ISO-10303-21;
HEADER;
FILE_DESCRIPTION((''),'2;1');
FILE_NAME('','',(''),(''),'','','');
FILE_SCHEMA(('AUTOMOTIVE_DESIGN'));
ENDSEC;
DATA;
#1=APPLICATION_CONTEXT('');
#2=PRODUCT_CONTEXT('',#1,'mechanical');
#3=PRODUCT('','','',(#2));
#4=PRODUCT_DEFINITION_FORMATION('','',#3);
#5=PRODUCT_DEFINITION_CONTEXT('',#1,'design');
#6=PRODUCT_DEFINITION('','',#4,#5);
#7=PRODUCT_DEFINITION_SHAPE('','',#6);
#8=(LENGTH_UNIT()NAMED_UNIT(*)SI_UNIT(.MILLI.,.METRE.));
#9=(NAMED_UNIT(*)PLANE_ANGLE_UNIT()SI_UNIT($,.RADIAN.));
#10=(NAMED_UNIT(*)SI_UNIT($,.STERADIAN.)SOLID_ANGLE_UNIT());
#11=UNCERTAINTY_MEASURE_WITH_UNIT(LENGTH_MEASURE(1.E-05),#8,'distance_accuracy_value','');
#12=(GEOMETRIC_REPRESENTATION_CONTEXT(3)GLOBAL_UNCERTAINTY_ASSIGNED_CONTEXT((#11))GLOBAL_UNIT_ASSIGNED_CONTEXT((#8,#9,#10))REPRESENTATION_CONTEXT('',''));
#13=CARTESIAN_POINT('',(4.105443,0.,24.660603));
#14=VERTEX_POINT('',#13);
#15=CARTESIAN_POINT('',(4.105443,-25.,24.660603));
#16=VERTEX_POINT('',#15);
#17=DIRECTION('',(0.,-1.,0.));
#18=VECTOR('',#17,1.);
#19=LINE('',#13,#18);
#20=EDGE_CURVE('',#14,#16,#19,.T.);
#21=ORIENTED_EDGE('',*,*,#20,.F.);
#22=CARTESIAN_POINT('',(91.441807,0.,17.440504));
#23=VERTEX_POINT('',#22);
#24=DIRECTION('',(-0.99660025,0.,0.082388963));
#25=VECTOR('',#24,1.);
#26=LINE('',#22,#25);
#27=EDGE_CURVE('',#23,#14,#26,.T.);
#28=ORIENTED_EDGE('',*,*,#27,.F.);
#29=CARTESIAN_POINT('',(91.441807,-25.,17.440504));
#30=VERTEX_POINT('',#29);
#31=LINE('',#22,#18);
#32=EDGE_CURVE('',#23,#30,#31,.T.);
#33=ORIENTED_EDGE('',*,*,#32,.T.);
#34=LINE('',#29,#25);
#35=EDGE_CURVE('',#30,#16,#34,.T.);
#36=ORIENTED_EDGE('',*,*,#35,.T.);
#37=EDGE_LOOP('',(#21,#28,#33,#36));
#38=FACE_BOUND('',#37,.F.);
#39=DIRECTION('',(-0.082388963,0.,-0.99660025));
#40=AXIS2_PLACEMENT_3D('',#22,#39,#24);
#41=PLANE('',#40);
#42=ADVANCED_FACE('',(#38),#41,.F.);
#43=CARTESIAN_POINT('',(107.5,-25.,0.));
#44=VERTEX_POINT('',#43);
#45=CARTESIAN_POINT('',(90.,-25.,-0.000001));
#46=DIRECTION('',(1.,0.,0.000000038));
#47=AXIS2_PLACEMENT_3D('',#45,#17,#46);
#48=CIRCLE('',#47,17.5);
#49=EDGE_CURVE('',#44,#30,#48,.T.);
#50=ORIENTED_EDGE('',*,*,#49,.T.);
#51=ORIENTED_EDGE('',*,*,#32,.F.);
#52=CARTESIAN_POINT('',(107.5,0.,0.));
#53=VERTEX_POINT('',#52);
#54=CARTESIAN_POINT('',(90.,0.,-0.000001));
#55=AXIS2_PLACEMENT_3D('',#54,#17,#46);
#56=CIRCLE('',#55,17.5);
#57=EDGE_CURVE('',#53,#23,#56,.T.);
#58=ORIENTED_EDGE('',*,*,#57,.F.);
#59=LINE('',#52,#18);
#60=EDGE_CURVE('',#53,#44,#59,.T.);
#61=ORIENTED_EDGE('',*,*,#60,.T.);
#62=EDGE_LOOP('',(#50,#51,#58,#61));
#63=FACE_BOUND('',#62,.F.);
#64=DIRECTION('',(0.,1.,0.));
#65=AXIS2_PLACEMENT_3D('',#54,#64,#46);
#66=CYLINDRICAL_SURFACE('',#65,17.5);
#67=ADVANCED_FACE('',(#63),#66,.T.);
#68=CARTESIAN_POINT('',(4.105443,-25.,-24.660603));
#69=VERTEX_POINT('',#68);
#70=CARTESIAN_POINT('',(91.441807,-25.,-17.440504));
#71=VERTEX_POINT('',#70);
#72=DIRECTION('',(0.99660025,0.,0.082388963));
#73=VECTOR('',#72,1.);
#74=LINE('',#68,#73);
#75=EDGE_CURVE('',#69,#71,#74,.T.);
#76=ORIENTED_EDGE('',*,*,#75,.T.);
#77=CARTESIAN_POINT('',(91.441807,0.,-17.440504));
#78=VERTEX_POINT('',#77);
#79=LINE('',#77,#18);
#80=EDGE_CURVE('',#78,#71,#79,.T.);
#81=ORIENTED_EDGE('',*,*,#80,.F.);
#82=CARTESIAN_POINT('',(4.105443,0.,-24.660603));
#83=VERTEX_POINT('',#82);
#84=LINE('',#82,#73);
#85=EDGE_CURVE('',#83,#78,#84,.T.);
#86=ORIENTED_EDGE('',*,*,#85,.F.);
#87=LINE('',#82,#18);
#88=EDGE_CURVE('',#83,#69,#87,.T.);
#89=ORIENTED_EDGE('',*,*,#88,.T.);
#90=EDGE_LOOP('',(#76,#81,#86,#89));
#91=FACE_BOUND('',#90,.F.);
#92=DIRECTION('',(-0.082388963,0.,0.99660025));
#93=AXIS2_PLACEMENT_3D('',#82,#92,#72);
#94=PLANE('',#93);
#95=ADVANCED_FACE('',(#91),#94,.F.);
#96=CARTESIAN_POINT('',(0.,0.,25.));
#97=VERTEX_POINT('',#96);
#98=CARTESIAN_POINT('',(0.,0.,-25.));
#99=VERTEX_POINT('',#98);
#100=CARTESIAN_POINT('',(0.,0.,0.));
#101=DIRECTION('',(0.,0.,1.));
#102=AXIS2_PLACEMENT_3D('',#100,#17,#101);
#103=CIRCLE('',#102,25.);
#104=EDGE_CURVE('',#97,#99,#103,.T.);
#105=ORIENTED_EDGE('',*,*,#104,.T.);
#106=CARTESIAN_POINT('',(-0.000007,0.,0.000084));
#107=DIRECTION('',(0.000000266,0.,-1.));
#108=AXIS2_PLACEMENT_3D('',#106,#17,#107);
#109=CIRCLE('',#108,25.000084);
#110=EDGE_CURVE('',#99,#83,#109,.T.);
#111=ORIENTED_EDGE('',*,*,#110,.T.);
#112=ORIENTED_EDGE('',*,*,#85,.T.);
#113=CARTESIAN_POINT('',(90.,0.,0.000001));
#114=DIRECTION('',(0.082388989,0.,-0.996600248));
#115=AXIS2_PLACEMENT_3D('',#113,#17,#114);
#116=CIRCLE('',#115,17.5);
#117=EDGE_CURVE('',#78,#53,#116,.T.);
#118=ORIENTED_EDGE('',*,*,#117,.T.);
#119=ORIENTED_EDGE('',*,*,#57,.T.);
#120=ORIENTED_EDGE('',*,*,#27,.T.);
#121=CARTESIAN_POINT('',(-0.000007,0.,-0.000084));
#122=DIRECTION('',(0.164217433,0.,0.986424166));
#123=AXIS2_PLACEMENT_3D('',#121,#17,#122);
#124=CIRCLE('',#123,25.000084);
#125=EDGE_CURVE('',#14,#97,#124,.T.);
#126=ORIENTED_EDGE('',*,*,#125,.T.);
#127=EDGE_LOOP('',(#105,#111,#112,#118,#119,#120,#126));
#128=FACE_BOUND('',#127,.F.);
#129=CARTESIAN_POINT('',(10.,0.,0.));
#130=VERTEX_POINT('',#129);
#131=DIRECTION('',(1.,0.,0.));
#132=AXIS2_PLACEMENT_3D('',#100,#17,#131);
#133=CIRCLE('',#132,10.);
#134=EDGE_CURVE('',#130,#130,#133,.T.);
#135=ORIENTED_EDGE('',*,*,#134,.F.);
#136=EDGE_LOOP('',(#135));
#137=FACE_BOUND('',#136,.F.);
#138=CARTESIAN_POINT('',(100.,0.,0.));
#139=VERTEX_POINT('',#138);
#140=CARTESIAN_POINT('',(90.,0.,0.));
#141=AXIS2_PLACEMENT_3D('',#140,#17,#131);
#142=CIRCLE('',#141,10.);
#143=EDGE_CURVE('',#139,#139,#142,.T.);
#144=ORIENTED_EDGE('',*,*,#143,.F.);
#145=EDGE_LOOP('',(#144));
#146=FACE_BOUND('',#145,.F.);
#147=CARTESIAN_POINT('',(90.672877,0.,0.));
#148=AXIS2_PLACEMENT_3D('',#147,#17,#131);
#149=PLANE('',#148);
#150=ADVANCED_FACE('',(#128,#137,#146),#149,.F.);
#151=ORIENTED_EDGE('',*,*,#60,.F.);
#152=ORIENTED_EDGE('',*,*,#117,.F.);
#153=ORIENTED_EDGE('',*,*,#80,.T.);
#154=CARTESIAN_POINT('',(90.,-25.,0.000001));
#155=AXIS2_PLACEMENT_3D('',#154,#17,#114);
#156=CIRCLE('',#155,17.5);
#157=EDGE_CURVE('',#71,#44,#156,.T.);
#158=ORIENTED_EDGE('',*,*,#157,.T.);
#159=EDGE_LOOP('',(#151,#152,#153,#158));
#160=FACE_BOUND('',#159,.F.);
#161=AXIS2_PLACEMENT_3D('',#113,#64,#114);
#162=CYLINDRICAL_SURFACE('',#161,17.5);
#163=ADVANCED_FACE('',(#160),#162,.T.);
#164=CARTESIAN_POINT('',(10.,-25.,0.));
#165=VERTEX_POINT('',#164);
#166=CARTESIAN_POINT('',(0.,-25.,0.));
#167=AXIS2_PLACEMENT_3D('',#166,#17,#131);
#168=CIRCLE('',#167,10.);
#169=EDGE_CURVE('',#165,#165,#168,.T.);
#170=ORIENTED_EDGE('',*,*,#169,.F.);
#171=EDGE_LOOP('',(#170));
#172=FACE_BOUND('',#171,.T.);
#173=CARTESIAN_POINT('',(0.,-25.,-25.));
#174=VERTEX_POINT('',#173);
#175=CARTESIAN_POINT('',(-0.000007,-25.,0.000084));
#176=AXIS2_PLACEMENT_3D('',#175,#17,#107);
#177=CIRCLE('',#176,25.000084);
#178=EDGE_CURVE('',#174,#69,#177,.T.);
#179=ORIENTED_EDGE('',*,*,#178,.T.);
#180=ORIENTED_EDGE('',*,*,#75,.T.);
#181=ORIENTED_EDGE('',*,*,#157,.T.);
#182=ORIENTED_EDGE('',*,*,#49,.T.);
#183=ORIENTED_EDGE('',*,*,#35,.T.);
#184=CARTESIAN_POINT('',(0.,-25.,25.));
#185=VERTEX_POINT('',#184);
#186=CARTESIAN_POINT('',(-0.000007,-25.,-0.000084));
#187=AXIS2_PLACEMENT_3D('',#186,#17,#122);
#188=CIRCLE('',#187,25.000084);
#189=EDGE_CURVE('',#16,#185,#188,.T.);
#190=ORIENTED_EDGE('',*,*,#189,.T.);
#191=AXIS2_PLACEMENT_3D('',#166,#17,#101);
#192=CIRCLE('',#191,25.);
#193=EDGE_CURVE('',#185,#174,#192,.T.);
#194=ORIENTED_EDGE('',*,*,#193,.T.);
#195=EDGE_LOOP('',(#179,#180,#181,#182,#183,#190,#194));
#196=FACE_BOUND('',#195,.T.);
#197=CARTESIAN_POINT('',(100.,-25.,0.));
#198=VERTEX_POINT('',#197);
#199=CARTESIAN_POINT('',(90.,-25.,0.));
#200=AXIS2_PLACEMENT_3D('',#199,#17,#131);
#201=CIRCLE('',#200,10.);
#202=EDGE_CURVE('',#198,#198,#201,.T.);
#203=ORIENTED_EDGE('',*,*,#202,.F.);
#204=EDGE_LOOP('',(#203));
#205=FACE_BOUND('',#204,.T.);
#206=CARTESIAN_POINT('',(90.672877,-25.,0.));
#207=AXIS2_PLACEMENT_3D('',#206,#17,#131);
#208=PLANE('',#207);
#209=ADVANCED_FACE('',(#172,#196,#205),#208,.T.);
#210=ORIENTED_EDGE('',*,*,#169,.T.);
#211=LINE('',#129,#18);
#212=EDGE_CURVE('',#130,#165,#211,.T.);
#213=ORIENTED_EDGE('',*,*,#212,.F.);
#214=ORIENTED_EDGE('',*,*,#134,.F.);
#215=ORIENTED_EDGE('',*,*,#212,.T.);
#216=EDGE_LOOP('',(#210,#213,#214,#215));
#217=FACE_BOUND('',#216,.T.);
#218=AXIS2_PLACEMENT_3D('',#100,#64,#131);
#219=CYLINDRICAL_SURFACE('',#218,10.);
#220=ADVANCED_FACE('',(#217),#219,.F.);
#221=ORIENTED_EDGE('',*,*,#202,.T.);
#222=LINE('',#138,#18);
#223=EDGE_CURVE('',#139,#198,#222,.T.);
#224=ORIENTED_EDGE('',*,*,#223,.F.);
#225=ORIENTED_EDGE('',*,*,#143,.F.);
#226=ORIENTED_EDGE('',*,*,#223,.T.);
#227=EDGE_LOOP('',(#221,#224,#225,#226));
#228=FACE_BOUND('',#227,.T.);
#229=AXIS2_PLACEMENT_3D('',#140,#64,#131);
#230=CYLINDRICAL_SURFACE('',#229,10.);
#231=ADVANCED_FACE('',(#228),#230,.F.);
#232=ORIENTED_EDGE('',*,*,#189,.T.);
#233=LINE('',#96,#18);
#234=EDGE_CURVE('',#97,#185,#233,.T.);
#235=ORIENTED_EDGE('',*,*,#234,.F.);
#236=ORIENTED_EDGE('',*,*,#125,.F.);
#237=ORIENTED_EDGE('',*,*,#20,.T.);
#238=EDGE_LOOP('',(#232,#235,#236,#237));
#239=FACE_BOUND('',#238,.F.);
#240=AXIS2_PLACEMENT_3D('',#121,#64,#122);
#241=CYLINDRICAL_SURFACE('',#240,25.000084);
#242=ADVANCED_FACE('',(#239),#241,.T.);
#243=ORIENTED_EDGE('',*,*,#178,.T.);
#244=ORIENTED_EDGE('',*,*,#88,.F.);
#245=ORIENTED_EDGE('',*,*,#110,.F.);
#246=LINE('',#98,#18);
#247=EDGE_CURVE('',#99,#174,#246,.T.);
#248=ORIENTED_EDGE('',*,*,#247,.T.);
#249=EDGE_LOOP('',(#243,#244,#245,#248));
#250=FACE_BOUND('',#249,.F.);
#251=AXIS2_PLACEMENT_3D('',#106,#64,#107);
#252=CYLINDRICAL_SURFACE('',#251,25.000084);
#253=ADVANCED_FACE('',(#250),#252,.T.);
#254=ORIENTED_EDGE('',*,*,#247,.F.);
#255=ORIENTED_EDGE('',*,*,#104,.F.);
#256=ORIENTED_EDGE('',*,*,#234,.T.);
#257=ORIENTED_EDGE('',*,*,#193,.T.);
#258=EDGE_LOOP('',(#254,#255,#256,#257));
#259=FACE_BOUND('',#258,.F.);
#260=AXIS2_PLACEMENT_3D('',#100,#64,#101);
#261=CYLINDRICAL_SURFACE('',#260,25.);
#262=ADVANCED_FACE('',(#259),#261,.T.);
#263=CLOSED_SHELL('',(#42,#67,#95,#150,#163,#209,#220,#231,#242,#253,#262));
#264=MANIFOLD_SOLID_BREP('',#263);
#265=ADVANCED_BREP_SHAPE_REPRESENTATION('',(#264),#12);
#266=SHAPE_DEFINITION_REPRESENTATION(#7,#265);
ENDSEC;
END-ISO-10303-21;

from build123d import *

# Parameters (mm, degrees)
F0_R     = 10
F1_DEPTH = 25


with BuildPart() as f1:
    # F0 (on Front) → F1 (new body)
    with BuildSketch(Plane.XZ):
        with BuildLine():
            ThreePointArc((91.441807, -17.440504), (102.874036, -11.853657), (107.5, 0))
            ThreePointArc((107.5, 0), (102.874036, 11.853657), (91.441807, 17.440504))
            ThreePointArc((91.441807, 17.440504), (72.5, 0), (91.441807, -17.440504))
        make_face()
        with Locations((90, 0)):
            Circle(F0_R, mode=Mode.SUBTRACT)
        with BuildLine():
            ThreePointArc((91.441807, -17.440504), (72.5, 0), (91.441807, 17.440504))
            Line((91.441807, 17.440504), (4.105443, 24.660603))
            ThreePointArc((4.105443, 24.660603), (19.074015, 16.161125), (25, 0))
            ThreePointArc((25, 0), (19.074015, -16.161125), (4.105443, -24.660603))
            Line((4.105443, -24.660603), (91.441807, -17.440504))
        make_face()
        with BuildLine():
            Line((0, 25), (4.105443, 24.660603))
            ThreePointArc((4.105443, 24.660603), (2.059724, 24.915006), (0, 25))
        make_face()
        with BuildLine():
            ThreePointArc((25, 0), (19.074015, 16.161125), (4.105443, 24.660603))
            Line((4.105443, 24.660603), (0, 25))
            ThreePointArc((0, 25), (-25, 0), (0, -25))
            Line((0, -25), (4.105443, -24.660603))
            ThreePointArc((4.105443, -24.660603), (19.074015, -16.161125), (25, 0))
        make_face()
        Circle(F0_R, mode=Mode.SUBTRACT)
        with BuildLine():
            ThreePointArc((0, -25), (2.059724, -24.915006), (4.105443, -24.660603))
            Line((4.105443, -24.660603), (0, -25))
        make_face()
    extrude(amount=F1_DEPTH)


solid = f1.part
